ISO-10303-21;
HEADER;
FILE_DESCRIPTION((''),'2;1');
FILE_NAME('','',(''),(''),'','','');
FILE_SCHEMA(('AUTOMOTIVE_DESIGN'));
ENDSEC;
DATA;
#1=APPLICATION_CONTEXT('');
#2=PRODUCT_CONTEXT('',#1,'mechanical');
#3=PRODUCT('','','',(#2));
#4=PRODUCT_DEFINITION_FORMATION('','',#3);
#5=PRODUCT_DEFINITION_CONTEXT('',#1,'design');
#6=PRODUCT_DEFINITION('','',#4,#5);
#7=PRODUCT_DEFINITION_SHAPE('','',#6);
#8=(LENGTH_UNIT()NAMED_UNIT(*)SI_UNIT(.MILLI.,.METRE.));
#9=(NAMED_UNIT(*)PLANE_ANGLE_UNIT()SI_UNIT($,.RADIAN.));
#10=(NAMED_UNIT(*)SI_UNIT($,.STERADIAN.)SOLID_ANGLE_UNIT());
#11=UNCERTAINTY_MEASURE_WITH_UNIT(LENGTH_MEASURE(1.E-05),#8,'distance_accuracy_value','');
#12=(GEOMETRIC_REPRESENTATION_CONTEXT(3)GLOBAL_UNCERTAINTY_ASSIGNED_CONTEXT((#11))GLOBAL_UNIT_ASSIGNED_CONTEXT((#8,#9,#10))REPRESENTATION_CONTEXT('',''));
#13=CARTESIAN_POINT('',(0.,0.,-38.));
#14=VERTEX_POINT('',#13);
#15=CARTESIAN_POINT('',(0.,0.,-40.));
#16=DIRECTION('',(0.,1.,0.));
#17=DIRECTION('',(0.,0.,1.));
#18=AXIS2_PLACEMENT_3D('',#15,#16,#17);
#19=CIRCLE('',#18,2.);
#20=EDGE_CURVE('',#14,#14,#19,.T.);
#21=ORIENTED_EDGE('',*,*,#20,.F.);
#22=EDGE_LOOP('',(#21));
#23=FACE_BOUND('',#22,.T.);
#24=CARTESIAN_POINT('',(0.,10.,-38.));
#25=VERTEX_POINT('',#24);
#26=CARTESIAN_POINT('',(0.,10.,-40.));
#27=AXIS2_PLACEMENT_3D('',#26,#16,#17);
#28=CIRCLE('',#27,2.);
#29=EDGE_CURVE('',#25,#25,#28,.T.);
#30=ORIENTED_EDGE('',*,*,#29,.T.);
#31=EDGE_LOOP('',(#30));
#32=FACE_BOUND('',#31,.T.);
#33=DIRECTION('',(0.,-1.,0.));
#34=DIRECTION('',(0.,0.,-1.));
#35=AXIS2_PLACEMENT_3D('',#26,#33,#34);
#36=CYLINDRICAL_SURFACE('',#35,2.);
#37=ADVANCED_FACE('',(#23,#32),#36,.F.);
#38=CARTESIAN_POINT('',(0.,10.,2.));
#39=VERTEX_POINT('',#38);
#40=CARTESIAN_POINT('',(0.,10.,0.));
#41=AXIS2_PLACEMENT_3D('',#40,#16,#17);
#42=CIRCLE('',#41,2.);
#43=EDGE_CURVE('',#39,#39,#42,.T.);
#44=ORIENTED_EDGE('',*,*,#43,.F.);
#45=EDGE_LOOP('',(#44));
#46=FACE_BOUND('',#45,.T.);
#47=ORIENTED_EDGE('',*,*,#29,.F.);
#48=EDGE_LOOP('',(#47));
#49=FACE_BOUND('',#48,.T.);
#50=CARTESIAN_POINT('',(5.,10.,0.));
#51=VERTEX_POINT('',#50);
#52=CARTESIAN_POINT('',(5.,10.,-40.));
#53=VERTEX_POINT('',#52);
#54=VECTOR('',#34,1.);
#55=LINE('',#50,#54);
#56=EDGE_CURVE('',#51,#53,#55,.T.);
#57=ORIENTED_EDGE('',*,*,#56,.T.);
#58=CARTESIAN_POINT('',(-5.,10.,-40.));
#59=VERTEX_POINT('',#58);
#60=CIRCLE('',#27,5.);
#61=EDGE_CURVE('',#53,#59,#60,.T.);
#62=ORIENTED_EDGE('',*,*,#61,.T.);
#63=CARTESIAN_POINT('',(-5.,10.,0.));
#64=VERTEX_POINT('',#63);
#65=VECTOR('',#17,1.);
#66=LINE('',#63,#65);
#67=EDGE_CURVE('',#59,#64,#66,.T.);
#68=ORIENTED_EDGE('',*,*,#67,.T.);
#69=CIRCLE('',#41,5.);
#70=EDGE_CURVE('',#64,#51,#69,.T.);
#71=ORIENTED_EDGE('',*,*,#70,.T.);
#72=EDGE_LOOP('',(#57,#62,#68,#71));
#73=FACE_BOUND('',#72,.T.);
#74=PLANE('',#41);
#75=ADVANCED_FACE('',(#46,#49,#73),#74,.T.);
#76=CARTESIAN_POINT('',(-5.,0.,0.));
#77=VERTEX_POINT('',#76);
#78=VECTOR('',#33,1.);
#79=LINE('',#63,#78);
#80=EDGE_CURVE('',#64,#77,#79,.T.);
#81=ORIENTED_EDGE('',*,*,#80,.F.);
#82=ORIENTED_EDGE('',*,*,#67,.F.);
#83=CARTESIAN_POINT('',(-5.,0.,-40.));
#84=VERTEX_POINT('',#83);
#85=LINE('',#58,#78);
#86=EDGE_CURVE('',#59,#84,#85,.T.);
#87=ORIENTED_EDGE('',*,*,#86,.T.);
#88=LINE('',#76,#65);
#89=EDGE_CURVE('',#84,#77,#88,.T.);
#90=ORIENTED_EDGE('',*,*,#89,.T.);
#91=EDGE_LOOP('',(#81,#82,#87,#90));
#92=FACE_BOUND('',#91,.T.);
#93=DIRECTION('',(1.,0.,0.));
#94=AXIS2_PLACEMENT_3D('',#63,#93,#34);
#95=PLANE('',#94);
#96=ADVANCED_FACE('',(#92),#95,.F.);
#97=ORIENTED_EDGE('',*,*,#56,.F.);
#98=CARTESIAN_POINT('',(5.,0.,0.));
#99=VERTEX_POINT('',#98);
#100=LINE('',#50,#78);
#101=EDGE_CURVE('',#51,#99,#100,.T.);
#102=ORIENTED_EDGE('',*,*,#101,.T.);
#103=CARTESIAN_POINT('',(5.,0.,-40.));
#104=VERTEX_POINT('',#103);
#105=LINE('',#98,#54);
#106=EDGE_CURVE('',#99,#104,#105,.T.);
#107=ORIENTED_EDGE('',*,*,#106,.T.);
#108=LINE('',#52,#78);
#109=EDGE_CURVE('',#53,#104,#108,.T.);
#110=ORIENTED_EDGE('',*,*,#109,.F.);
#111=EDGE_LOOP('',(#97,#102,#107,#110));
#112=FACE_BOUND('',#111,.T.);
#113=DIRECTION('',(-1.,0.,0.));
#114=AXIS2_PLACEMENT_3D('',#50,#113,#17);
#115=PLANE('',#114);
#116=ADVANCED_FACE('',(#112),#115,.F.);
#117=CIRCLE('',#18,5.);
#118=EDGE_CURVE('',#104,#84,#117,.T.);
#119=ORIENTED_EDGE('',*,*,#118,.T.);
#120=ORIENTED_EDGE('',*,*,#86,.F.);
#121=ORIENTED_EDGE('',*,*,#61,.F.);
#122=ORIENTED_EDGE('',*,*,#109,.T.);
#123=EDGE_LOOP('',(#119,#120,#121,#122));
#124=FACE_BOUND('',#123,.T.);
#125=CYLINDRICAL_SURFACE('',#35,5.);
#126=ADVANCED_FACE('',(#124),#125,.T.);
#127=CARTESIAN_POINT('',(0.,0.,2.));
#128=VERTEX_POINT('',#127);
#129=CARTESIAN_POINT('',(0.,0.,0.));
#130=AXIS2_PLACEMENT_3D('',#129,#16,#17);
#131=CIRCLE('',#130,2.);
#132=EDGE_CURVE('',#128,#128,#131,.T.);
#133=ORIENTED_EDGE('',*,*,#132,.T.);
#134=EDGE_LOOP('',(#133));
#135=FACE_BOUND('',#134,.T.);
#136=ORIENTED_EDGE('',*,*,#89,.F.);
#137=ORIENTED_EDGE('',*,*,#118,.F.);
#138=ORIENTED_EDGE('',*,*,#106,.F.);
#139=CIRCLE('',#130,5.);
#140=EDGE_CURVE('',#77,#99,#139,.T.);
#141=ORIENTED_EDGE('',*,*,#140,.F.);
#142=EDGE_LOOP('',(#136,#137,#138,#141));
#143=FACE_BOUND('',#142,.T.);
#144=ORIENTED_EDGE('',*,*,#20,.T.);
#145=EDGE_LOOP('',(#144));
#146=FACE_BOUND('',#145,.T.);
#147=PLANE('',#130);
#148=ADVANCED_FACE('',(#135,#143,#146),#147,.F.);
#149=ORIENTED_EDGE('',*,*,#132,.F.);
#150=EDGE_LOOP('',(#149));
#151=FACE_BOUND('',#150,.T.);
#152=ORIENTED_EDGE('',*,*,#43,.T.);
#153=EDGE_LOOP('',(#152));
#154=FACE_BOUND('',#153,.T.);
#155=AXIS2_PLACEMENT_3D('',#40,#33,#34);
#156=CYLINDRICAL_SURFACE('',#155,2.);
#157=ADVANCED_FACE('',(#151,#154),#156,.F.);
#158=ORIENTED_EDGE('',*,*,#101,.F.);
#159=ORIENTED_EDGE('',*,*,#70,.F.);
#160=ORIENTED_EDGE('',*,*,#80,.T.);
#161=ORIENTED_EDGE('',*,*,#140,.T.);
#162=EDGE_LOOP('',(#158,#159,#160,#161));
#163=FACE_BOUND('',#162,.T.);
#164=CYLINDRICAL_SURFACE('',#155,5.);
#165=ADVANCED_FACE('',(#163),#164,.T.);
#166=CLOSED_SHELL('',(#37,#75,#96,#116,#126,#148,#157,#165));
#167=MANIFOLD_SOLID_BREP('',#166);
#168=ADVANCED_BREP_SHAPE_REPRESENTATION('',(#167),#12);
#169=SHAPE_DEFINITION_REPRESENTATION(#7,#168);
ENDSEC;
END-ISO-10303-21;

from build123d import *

# Parameters (mm, degrees)
SKETCH1_R           = 2
BOSS_EXTRUDE1_DEPTH = 10


with BuildPart() as part:
    # Sketch1 → Boss-Extrude1 (new body)
    with BuildSketch(Plane(origin=(0, 0, 0), x_dir=(1, 0, 0), z_dir=(0, 1, 0))):
        with BuildLine():
            Line((5, 0), (5, 40))
            ThreePointArc((5, 40), (0, 45), (-5, 40))
            Line((-5, 40), (-5, 0))
            ThreePointArc((-5, 0), (0, -5), (5, 0))
        make_face()
        Circle(SKETCH1_R, mode=Mode.SUBTRACT)
        with Locations((0, 40)):
            Circle(SKETCH1_R, mode=Mode.SUBTRACT)
    extrude(amount=BOSS_EXTRUDE1_DEPTH)


solid = part.part
